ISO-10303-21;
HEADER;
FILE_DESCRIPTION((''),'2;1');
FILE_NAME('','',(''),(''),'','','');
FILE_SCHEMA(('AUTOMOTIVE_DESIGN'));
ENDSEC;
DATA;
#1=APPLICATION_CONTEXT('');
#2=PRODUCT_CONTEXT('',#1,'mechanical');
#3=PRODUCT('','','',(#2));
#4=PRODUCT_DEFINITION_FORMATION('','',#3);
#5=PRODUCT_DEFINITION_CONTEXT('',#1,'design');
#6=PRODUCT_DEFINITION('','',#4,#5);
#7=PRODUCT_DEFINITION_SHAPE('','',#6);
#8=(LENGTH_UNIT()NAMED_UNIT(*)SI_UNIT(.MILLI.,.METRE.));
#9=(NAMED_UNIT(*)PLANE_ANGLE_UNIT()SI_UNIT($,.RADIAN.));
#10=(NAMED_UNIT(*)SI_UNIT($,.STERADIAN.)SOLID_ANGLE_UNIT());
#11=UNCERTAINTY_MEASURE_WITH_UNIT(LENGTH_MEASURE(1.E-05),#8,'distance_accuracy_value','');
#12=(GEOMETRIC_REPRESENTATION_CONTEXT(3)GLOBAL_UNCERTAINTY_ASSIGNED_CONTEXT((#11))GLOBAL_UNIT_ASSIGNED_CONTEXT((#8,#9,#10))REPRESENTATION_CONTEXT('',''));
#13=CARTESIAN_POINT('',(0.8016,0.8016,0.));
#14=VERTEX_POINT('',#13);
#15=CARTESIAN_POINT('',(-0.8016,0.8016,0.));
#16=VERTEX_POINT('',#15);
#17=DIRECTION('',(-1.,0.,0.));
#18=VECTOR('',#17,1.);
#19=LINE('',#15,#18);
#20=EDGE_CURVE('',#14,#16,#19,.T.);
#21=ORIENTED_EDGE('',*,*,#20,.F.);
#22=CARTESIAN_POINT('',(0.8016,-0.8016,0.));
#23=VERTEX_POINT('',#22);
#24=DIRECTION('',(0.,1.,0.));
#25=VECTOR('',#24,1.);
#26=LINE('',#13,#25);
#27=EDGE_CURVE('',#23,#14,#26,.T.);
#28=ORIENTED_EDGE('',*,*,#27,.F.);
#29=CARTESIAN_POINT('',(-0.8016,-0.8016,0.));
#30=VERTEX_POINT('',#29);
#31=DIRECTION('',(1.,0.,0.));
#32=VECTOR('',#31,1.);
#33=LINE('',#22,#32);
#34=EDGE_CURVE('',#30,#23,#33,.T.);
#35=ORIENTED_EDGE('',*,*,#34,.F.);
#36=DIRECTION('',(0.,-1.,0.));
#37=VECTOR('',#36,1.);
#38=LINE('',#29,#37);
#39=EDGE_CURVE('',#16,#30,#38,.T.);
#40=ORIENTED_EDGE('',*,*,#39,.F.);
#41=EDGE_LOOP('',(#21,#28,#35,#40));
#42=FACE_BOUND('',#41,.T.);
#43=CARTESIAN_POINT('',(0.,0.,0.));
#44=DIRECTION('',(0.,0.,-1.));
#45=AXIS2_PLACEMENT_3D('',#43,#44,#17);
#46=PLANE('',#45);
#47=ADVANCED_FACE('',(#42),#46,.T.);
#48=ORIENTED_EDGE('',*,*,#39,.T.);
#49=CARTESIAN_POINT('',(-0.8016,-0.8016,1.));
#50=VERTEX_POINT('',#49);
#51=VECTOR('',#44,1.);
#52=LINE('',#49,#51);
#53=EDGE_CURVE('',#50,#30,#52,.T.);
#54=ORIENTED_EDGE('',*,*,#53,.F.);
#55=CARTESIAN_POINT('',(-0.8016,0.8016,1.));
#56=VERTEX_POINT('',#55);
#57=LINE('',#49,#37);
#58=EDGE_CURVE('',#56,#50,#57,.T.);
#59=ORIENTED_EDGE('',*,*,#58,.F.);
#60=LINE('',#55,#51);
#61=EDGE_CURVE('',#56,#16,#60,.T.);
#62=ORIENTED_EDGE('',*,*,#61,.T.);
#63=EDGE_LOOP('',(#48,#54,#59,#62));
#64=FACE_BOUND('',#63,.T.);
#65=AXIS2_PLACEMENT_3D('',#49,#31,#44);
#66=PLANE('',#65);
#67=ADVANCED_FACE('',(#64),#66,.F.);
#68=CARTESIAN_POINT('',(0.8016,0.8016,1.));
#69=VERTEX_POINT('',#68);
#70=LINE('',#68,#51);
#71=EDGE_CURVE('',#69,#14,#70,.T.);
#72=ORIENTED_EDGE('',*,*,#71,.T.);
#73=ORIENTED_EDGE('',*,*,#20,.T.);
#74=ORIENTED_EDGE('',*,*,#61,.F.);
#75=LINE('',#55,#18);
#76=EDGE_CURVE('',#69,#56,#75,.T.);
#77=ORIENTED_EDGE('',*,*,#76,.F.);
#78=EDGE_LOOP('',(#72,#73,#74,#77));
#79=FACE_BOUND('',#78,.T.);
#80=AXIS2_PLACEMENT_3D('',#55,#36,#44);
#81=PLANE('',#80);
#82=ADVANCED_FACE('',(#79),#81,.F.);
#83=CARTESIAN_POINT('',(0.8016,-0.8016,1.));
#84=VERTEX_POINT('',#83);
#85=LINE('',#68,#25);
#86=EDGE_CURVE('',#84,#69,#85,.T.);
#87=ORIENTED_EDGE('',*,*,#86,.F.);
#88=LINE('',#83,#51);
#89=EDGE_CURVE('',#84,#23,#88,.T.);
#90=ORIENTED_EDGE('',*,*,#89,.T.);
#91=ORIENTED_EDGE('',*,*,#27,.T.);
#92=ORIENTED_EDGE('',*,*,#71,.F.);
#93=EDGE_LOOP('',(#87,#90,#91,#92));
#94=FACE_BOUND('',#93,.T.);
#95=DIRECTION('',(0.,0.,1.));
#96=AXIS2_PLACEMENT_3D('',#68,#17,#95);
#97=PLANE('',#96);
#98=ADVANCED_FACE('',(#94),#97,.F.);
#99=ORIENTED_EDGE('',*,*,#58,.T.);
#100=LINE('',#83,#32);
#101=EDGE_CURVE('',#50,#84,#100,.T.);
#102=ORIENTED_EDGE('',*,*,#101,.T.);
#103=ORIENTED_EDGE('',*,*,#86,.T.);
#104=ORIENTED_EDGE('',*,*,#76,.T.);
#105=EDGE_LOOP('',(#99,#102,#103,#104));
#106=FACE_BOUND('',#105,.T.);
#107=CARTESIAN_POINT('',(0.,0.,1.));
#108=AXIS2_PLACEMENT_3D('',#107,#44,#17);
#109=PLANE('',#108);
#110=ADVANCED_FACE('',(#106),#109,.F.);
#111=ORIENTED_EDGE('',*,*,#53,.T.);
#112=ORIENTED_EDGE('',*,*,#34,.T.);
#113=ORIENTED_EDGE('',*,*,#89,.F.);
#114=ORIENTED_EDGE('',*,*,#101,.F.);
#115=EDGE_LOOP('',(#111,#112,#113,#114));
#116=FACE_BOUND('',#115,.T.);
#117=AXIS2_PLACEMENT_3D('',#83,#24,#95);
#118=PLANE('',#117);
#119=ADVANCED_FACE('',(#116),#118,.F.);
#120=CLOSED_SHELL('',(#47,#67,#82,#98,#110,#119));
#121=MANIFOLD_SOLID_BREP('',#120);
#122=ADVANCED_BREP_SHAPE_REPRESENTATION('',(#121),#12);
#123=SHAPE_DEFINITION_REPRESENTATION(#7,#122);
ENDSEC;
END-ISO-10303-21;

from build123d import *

# Parameters (mm, degrees)
SKETCH1_W               = 1.6032
SKETCH1_H               = 1.6032
COMPONENT_OUTLINE_DEPTH = 1


with BuildPart() as part:
    # Sketch1 → Component_Outline (new body)
    with BuildSketch(Plane.XY):
        Rectangle(SKETCH1_W, SKETCH1_H)
    extrude(amount=COMPONENT_OUTLINE_DEPTH)


solid = part.part
